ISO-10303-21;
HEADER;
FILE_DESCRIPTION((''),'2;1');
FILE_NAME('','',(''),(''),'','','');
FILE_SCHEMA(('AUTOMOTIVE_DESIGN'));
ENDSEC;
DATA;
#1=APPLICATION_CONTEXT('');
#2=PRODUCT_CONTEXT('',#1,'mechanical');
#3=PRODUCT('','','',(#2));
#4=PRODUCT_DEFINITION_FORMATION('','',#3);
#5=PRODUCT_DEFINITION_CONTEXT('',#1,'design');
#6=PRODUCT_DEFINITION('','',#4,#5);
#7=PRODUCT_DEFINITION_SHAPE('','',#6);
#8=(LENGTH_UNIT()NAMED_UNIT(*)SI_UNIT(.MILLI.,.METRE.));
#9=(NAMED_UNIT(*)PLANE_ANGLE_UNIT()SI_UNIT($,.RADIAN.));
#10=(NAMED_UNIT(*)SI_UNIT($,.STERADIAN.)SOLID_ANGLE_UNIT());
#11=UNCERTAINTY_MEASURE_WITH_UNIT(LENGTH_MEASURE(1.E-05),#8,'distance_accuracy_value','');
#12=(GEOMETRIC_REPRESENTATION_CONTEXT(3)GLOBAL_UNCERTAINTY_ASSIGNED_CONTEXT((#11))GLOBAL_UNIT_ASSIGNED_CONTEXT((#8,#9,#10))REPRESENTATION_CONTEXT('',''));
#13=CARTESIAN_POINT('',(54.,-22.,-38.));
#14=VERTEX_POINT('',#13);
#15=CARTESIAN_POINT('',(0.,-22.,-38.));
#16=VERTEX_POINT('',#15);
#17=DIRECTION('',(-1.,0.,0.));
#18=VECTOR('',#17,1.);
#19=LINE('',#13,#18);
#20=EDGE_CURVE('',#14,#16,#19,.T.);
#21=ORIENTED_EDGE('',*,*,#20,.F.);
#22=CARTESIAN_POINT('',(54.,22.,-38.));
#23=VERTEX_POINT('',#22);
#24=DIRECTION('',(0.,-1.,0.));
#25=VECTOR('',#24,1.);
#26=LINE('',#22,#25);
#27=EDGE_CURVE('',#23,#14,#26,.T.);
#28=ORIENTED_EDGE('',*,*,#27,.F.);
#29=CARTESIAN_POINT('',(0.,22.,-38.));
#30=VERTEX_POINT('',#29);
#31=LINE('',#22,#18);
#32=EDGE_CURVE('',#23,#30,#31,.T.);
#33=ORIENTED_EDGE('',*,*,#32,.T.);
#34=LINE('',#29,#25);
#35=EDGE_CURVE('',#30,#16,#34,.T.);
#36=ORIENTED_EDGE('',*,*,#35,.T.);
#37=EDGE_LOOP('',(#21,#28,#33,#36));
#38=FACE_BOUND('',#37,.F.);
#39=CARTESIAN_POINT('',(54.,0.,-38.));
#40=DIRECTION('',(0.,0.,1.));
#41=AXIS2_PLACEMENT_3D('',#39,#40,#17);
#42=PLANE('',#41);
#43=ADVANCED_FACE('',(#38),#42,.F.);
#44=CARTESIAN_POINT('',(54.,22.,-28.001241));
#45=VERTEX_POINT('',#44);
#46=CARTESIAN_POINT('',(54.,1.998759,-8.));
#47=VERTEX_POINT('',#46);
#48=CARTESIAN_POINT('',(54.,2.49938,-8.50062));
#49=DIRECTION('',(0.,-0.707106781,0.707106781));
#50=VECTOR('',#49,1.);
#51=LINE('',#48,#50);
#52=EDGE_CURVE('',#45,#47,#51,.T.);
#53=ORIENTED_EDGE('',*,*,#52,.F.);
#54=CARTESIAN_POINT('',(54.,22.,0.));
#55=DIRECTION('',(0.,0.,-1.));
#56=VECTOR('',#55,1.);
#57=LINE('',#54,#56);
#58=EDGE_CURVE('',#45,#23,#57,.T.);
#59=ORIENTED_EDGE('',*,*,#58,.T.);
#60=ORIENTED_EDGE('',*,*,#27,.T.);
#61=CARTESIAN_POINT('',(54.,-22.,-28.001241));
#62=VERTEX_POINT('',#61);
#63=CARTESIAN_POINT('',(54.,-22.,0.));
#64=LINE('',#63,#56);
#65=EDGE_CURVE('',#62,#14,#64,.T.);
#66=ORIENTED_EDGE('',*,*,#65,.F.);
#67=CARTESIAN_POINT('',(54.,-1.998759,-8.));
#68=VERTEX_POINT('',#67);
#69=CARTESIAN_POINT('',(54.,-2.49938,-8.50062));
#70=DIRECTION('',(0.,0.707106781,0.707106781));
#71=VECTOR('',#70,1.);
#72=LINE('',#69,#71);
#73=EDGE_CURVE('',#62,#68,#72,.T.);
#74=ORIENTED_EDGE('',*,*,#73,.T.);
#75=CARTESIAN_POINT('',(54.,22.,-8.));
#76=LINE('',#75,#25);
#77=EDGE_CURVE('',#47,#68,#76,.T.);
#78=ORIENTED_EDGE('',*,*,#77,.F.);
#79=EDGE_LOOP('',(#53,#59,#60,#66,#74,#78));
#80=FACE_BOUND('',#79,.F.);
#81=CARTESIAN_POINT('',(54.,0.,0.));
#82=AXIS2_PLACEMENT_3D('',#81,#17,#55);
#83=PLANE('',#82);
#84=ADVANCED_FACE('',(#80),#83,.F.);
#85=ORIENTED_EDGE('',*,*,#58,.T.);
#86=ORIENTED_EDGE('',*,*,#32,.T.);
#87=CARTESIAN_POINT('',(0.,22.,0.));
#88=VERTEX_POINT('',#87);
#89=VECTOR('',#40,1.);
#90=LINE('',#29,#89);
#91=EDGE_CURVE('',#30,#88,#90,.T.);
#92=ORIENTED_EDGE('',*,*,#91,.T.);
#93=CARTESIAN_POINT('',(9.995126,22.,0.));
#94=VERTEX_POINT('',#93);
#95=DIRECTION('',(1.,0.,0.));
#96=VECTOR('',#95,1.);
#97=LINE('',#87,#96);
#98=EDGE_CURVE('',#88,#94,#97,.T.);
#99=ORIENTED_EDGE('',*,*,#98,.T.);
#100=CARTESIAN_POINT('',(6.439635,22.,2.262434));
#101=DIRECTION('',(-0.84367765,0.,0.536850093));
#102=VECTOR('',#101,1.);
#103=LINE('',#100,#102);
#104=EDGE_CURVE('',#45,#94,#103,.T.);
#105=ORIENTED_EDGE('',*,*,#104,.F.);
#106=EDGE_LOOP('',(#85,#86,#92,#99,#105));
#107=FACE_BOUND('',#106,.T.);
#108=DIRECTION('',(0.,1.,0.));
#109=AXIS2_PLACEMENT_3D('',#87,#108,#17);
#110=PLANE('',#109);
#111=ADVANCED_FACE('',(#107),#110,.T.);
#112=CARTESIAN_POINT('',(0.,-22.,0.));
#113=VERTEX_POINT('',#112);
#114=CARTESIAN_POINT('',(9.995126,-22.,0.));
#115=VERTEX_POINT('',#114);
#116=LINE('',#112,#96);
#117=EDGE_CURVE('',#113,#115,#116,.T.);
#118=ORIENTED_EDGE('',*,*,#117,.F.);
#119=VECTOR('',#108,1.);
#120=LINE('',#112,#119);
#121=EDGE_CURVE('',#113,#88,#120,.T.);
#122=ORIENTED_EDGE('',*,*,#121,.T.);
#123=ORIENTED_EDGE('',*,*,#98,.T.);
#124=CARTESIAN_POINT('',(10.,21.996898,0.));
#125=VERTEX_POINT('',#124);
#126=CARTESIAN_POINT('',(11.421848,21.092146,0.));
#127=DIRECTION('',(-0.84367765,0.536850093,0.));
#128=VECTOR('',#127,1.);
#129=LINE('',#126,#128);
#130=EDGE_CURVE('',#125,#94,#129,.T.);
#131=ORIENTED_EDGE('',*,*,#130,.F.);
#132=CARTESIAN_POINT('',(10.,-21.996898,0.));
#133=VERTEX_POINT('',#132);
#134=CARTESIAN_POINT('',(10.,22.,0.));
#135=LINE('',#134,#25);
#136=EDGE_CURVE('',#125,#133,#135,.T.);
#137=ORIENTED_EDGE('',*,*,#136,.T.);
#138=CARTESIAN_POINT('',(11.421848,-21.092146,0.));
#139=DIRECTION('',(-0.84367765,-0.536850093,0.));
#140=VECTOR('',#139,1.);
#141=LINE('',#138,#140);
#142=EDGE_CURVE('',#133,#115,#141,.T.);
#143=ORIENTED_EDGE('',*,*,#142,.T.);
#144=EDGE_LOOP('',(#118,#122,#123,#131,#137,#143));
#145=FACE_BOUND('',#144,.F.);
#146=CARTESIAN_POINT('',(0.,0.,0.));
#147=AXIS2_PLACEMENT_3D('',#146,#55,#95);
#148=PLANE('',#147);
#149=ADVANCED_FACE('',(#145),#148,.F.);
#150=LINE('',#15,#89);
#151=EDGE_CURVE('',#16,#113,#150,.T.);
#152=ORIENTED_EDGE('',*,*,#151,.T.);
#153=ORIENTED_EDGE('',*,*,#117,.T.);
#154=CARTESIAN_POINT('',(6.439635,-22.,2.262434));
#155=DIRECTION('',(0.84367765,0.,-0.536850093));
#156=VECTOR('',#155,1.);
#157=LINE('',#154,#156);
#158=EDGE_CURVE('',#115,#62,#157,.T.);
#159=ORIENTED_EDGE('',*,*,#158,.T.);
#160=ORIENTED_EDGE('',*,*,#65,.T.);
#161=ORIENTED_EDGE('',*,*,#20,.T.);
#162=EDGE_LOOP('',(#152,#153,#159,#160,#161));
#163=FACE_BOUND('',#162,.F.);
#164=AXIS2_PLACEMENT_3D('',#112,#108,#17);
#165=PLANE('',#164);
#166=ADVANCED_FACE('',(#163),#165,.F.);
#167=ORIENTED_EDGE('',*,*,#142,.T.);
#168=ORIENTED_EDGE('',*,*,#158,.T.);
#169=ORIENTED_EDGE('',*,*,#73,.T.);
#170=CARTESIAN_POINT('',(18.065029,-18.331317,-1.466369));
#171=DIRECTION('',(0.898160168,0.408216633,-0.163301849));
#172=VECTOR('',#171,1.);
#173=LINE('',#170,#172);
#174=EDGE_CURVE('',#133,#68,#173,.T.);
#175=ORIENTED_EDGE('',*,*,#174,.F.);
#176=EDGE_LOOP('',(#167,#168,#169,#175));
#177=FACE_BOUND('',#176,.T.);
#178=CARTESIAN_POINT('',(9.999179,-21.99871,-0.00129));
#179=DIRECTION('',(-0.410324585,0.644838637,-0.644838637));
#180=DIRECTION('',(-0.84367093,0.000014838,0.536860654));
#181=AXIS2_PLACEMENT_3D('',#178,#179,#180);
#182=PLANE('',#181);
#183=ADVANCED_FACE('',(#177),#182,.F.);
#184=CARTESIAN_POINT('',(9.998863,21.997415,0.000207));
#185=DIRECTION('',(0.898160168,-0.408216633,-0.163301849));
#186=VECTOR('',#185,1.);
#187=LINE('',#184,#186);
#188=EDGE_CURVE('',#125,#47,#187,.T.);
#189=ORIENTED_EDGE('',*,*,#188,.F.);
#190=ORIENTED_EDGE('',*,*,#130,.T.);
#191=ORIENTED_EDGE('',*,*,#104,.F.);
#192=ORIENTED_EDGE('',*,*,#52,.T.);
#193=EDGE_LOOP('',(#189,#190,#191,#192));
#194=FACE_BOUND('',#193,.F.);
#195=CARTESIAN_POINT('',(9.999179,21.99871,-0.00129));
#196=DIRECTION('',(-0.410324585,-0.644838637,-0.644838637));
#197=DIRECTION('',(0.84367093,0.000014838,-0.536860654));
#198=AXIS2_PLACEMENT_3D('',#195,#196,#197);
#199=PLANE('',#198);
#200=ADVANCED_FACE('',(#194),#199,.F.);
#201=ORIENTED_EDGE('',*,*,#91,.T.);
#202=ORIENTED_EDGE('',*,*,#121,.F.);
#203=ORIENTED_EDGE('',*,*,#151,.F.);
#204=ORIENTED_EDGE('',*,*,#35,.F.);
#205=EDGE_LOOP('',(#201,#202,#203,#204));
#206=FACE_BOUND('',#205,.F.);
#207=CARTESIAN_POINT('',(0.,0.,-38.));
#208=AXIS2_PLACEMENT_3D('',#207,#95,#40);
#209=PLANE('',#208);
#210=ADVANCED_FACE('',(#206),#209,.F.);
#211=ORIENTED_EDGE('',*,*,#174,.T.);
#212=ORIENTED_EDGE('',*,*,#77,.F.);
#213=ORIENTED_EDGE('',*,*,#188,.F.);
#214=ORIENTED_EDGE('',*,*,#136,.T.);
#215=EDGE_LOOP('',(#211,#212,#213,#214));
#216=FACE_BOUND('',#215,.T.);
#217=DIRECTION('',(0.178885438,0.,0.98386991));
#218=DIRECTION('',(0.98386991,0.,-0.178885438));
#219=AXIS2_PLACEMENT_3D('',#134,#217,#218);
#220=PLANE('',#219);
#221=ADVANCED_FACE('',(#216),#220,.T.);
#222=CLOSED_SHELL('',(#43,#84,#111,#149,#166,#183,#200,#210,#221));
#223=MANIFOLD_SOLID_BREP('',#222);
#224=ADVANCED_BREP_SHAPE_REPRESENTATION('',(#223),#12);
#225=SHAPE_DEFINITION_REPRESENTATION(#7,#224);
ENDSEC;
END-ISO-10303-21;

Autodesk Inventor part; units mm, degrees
ref_plane "YZ Plane" through (0, 0, 0) normal (1, 0, 0) x (0, 1, 0)
ref_plane "XZ Plane" through (0, 0, 0) normal (0, 1, 0) x (-1, 0, 0)
sketch "草圖1" plane through (0, 0, 0) normal (0, 1, 0) x (-1, 0, 0)
  line L0 (0, 0) -> (-54, 0)
  line L1 (-54, 0) -> (-54, -38)
  line L2 (-54, -38) -> (0, -38)
  line L3 (0, -38) -> (0, 0)
  dimension "d0" = 54
  dimension "d1" = 38
extrude "擠出1" add sketch "草圖1" along normal mid plane 44
sketch "草圖2" plane through (0, 22, 0) normal (0, 1, 0) x (1, 0, 0)
  line L0 (0, 0) -> (54, 0) projected
  line L1 (10, 0) -> (54, 8)
  line L2 (54, 0) -> (54, 38) projected
  dimension "d4" = 10
  dimension "d5" = 30
extrude "擠出2" cut sketch "草圖2" against normal blind 60
sketch "草圖3" plane through (54, -22, -38) normal (1, 0, 0) x (0, 0, -1)
  line L0 (-30, 24) -> (-10, 44)
  line L1 (0, 44) -> (-38, 44) projected
  line L2 (-30, 44) -> (-30, 0) projected
  point P0 (-38, 22)
  point P1 (-30, 2)
  dimension "d8" = 20
  dimension "d9" = 20
ref_plane "工作平面1" through (10, 22, 0) normal (-0.4103, -0.6448, -0.6448) x (0.8437, 0, -0.5369)
sketch "草圖4" plane through (10, 22, 0) normal (-0.4103, -0.6448, -0.6448) x (0.8437, 0, -0.5369)
  line L0 (-15.1543, -12.3218) -> (93.717, -12.3218)
  line L1 (93.717, -12.3218) -> (93.717, 28.8166)
  line L2 (93.717, 28.8166) -> (-15.1543, 28.8166)
  line L3 (-15.1543, 28.8166) -> (-15.1543, -12.3218)
  point P0 (-8.4366, 13.3532)
extrude "擠出3" cut sketch "草圖4" against normal blind 40
mirror "鏡射1" about plane through (0, 0, 0) normal (0, 1, 0) of "擠出3"
properties part number "51"
